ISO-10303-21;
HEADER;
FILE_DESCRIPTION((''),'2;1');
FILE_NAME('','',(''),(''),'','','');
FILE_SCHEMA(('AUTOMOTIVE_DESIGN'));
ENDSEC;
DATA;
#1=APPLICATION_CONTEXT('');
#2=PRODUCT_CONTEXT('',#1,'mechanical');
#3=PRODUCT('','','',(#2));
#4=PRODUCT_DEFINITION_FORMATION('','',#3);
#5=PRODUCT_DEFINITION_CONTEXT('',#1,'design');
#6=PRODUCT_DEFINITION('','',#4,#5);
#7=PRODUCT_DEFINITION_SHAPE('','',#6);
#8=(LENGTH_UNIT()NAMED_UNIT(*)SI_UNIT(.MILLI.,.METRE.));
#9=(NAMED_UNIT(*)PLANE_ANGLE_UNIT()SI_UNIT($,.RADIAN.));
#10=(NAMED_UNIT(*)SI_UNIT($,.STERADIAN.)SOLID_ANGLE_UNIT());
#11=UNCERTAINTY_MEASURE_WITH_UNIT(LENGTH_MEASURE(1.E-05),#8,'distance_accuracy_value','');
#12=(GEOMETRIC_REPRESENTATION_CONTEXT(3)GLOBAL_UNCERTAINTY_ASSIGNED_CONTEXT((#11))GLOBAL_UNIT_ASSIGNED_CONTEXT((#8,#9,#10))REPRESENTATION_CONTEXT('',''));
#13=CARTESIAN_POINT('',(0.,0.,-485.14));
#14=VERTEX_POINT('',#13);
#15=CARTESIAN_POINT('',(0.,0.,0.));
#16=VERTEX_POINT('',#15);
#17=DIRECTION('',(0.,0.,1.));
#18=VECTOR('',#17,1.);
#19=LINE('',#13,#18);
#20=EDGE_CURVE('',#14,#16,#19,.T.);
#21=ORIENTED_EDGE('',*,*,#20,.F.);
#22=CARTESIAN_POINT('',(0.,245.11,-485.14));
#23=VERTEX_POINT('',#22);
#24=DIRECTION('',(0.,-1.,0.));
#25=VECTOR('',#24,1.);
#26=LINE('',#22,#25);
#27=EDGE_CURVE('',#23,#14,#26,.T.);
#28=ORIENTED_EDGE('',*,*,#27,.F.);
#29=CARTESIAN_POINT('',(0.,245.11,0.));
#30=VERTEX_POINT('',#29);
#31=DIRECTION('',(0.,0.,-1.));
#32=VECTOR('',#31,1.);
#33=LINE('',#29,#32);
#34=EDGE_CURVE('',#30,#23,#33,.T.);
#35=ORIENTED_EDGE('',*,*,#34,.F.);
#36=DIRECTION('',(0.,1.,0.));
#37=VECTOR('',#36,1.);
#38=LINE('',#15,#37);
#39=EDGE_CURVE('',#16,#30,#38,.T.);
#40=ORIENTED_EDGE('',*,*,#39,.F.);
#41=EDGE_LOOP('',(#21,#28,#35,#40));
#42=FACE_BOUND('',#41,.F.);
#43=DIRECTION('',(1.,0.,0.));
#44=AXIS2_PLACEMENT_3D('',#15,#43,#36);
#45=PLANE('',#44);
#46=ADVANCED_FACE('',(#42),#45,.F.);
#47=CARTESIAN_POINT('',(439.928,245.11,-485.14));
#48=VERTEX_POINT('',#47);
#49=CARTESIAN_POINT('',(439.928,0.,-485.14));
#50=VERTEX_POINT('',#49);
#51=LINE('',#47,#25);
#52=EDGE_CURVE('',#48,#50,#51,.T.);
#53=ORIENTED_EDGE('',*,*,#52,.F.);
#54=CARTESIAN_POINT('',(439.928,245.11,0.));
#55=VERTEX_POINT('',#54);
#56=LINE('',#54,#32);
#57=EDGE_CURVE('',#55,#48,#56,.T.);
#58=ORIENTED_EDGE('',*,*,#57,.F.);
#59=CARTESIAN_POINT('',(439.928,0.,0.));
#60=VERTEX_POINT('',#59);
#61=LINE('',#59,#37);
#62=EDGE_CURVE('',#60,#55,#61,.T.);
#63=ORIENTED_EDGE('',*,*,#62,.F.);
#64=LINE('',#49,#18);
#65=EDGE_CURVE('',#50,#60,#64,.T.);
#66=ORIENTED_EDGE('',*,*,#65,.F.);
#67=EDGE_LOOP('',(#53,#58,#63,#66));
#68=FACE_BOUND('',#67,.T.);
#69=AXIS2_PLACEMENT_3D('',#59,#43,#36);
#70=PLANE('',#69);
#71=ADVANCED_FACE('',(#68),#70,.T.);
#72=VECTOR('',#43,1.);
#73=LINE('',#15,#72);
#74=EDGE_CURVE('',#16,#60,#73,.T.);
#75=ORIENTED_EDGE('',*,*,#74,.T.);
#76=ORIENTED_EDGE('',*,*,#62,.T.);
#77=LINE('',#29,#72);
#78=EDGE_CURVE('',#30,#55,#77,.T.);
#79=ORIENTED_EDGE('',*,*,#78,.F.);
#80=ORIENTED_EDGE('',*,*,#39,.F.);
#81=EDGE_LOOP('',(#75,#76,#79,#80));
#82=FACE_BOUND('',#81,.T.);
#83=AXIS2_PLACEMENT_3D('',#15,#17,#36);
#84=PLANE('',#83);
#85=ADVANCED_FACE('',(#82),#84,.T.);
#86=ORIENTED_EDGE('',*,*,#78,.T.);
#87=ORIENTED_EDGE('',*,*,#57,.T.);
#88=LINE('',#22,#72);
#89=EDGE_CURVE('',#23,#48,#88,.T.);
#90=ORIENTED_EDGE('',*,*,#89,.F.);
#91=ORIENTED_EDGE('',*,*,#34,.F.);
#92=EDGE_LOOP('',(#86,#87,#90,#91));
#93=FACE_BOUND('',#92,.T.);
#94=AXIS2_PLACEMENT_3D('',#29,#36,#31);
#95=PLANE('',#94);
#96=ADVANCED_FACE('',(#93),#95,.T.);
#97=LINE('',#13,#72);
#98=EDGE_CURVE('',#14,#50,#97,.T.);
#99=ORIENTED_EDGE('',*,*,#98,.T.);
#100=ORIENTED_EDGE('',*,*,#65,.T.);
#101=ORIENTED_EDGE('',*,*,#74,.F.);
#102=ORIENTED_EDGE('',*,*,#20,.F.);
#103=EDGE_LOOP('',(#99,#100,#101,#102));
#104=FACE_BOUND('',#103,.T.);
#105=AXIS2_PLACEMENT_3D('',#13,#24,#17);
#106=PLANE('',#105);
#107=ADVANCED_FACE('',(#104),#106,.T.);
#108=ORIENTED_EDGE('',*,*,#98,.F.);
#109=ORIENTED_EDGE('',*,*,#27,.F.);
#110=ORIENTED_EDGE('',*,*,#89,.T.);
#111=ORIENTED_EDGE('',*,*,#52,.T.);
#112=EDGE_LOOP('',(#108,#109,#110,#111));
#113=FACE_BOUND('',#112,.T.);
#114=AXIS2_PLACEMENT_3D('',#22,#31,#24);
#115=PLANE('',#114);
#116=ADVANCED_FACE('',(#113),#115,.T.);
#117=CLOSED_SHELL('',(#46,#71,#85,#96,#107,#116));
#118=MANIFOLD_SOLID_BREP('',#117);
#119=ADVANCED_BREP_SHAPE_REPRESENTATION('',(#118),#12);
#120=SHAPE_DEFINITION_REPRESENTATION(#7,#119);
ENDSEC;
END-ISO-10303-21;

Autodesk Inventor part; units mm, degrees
ref_plane "YZ Plane" through (0, 0, 0) normal (1, 0, 0) x (0, 1, 0)
ref_plane "XZ Plane" through (0, 0, 0) normal (0, 1, 0) x (-1, 0, 0)
ref_plane "XY Plane" through (0, 0, 0) normal (0, 0, 1) x (1, 0, 0)
sketch "Sketch1" plane through (0, 0, 0) normal (1, 0, 0) x (0, 1, 0)
  line L0 (0, 0) -> (245.11, 0)
  line L1 (245.11, 0) -> (245.11, -485.14)
  line L2 (245.11, -485.14) -> (0, -485.14)
  line L3 (0, -485.14) -> (0, 0)
  dimension "d1" = 485.14
  dimension "d2" = 245.11
extrude "Extrusion1" add sketch "Sketch1" along normal blind 439.928
properties part number "Bathroom_Sink" material "Steel"
